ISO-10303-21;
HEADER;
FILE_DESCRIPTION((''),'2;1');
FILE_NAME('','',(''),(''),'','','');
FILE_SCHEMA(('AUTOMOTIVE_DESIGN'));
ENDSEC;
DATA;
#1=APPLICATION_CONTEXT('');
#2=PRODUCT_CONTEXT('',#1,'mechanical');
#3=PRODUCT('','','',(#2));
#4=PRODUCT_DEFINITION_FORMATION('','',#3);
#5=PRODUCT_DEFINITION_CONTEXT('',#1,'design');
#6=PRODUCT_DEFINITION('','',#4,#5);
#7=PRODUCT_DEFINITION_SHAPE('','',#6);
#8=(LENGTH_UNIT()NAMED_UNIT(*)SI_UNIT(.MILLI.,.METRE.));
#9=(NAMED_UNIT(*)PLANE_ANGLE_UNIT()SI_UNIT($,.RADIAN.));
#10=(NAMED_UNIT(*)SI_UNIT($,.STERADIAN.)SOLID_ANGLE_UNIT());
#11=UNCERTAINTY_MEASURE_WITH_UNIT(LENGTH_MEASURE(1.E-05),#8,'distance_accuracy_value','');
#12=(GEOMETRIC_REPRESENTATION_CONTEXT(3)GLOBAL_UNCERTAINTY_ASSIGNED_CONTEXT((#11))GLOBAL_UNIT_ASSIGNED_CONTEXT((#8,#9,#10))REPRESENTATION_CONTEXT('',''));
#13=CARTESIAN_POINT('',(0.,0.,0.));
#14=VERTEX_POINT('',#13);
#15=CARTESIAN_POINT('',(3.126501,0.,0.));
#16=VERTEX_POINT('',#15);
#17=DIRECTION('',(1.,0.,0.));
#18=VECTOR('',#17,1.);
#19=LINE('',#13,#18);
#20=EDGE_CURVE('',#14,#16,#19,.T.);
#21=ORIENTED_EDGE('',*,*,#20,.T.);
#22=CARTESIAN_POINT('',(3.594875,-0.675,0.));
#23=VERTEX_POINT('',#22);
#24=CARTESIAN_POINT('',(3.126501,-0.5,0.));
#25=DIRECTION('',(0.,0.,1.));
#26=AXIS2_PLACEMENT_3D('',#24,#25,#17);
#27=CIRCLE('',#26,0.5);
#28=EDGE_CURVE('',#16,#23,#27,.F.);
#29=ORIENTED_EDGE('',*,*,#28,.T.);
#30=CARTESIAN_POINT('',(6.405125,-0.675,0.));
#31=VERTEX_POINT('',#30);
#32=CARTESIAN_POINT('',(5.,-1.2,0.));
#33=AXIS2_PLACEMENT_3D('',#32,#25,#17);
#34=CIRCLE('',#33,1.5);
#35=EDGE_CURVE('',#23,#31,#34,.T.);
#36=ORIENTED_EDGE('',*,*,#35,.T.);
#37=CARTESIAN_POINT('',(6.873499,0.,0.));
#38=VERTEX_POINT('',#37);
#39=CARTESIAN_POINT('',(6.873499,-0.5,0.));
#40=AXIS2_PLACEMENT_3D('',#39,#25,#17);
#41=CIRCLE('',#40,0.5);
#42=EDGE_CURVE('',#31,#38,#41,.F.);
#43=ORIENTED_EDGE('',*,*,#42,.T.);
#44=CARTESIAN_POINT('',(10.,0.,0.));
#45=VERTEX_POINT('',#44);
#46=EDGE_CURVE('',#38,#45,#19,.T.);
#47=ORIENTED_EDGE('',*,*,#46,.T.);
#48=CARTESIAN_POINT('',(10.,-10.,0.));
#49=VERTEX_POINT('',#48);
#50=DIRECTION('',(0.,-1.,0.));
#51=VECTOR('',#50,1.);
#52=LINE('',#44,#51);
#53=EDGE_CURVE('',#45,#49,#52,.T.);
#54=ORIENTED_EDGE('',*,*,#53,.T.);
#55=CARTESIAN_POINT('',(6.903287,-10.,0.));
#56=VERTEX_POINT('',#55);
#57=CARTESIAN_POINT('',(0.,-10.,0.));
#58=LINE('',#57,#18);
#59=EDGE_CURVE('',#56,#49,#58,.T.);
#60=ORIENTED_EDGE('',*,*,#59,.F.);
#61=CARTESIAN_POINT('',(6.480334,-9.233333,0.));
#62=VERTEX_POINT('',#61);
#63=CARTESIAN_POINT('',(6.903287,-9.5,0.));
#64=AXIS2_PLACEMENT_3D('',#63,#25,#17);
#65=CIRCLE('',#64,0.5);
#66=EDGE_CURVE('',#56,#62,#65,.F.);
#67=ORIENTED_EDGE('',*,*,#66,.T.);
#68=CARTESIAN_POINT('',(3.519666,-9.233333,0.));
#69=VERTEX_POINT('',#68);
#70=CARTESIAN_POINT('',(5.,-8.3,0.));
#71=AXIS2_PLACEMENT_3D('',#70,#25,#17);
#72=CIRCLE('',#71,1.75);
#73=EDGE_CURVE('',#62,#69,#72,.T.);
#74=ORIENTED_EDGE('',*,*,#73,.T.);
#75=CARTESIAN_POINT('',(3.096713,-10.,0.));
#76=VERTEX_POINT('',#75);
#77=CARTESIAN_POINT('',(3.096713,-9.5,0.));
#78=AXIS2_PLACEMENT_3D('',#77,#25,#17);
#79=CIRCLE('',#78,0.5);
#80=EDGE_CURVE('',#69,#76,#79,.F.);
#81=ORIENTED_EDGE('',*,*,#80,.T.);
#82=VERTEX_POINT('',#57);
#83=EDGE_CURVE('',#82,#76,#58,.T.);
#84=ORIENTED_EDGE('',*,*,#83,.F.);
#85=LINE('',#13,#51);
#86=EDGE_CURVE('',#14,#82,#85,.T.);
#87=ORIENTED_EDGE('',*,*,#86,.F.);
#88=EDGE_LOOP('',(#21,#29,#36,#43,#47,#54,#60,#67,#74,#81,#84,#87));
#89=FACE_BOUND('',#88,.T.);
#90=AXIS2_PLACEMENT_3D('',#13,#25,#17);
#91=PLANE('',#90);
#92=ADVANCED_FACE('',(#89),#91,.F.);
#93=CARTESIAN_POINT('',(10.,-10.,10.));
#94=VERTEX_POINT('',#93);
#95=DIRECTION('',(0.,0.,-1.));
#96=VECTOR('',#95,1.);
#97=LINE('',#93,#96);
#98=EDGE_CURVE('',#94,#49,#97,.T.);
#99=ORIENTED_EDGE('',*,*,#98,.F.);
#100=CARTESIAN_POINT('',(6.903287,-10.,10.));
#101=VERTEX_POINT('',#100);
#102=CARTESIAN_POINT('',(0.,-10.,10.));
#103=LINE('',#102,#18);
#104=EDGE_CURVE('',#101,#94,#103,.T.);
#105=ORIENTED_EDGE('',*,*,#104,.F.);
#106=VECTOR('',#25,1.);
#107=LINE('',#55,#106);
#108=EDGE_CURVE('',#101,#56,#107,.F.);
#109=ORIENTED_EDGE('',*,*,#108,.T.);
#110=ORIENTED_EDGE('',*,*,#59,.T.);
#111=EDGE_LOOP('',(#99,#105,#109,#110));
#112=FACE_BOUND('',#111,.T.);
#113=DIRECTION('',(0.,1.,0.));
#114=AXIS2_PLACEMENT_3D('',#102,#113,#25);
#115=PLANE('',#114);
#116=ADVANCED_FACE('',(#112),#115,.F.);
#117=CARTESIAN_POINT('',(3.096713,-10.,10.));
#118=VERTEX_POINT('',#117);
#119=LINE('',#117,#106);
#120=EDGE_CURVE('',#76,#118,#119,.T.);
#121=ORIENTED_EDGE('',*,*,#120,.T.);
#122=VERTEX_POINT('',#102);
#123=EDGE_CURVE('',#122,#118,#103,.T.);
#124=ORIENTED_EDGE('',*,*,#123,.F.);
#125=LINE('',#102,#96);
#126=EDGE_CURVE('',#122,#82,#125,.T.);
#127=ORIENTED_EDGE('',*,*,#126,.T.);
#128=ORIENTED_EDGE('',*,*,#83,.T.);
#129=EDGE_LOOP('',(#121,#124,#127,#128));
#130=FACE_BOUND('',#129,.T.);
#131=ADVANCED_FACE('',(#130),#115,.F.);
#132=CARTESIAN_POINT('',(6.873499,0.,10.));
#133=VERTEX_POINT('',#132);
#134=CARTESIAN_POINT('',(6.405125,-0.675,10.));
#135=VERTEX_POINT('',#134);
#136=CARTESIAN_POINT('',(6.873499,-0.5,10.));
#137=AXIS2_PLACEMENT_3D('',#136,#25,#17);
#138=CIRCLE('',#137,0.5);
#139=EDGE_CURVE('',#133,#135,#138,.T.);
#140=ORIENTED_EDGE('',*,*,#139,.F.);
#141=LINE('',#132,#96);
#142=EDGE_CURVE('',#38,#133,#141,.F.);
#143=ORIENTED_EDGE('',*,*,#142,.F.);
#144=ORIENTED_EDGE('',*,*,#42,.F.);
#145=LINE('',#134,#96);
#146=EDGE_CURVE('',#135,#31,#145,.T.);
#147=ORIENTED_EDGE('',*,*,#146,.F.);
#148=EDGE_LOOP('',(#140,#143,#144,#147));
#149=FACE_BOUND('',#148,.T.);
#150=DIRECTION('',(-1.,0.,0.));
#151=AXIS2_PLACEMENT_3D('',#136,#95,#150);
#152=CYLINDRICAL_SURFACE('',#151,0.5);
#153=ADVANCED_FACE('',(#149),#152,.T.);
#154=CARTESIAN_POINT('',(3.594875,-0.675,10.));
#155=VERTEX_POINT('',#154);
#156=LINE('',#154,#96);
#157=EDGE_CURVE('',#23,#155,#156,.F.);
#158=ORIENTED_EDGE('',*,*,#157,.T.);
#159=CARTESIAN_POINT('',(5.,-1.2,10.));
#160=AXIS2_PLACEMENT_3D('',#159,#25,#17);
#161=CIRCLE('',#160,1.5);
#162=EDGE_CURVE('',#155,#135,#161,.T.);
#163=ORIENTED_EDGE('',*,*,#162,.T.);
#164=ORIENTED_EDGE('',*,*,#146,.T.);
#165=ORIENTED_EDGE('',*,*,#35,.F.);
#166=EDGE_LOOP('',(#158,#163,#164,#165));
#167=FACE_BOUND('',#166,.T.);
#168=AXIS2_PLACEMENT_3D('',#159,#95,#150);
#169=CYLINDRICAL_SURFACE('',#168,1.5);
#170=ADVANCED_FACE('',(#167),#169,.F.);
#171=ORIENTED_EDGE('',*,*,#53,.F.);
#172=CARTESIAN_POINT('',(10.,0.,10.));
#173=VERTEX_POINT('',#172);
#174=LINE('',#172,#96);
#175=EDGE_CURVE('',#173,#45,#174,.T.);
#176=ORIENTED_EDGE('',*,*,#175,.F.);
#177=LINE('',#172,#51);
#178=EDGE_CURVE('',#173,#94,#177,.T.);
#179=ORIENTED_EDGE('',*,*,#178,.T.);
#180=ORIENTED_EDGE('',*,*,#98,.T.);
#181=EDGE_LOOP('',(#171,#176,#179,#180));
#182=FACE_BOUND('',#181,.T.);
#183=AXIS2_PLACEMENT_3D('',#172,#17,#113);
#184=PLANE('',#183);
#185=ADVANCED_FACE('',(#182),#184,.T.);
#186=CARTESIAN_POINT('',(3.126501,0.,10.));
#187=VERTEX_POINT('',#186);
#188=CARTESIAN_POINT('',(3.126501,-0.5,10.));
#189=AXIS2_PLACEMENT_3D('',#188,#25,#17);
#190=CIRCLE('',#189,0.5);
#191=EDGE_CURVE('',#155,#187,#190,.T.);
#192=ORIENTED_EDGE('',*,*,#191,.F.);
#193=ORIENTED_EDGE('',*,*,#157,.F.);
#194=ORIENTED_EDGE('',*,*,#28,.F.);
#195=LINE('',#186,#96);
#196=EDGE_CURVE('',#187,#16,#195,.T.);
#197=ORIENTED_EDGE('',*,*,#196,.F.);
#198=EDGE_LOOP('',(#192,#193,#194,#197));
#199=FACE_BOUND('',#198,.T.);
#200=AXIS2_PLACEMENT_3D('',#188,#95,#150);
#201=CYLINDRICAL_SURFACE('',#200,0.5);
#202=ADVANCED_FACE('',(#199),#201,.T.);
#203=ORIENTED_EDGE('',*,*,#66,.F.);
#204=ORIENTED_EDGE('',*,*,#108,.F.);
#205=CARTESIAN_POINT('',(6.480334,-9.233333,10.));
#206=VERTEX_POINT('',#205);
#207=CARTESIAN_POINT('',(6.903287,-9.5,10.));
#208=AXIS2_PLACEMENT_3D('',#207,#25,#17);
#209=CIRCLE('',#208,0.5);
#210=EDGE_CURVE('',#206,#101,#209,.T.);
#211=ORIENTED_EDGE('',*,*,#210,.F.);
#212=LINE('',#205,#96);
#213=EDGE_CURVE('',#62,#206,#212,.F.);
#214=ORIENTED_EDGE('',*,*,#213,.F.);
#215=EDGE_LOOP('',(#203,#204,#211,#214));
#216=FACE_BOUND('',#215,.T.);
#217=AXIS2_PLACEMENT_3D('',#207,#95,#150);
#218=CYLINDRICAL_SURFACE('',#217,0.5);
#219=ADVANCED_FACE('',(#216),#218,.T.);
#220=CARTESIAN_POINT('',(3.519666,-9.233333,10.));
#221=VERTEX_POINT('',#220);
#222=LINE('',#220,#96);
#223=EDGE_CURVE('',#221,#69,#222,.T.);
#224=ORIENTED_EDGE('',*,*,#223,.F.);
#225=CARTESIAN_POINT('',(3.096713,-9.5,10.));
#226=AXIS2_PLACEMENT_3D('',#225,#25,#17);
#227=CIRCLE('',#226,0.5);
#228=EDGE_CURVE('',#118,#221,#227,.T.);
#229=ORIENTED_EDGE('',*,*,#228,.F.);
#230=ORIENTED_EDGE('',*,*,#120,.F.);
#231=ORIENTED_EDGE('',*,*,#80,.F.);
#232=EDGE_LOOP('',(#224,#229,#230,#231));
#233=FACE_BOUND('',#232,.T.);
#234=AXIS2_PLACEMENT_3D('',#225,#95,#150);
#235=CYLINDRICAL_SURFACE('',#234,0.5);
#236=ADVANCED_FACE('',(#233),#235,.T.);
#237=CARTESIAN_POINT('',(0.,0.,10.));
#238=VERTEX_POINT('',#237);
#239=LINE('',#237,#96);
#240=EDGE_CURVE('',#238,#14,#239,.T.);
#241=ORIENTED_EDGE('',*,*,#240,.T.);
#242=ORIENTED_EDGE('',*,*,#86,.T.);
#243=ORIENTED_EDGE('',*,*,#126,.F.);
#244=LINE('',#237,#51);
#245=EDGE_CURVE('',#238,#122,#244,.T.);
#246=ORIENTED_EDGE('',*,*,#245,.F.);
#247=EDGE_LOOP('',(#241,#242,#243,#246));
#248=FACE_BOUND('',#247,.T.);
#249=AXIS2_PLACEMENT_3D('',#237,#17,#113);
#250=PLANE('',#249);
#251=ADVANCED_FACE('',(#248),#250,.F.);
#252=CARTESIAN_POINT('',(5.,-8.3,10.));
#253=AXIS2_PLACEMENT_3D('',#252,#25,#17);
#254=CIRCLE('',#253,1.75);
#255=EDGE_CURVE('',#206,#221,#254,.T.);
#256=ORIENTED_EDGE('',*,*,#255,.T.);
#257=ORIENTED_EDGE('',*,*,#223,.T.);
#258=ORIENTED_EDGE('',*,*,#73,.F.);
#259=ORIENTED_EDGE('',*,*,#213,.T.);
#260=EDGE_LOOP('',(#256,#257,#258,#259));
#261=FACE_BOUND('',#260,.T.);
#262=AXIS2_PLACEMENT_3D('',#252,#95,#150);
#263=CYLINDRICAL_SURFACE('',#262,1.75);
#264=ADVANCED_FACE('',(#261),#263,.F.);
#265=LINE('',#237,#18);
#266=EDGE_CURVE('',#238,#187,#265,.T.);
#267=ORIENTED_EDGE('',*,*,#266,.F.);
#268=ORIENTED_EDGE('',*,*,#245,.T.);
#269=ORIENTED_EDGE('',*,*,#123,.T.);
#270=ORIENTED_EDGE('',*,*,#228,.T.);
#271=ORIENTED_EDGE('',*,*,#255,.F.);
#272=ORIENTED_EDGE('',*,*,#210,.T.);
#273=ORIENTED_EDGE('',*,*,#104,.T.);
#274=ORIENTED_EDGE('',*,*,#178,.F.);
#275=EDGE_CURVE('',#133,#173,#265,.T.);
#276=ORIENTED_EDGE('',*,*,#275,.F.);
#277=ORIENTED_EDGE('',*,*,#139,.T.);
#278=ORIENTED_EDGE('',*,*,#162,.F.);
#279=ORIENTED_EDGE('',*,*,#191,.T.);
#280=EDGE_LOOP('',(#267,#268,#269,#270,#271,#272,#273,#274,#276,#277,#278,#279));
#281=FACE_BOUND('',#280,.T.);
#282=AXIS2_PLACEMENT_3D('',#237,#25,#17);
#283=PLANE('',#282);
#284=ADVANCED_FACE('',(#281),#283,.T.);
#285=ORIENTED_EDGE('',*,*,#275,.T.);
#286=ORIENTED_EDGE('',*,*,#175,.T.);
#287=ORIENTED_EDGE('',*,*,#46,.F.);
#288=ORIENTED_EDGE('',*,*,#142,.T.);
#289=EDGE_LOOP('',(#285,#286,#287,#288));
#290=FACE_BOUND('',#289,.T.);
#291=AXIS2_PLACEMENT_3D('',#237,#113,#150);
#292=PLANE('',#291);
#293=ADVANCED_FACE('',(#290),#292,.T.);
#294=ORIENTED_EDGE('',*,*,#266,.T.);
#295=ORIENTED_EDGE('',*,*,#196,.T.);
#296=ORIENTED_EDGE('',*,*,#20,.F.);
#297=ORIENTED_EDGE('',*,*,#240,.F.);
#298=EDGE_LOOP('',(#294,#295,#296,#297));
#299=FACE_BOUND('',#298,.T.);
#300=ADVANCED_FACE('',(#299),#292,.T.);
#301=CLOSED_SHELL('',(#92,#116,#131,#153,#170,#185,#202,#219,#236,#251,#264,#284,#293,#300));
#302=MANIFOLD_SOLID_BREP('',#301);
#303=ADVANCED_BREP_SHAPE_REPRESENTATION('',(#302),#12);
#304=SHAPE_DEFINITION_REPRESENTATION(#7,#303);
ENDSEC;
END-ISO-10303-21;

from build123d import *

# Parameters (mm, degrees)
EXTRUDE_1_DEPTH = 10
FILLET_1_R      = 0.5


with BuildPart() as part:
    # 草图1 → 凸台-拉伸1 (new body)
    with BuildSketch(Plane.XY):
        with BuildLine():
            Line((4.1, 0), (0, 0))
            Line((0, 0), (0, -10))
            Line((0, -10), (4.584668807, -10))
            ThreePointArc((4.584668807, -10), (3.919335757, -6.923531768), (6.75, -8.3))
            ThreePointArc((6.75, -8.3), (6.376468232, -9.380664243), (5.415331193, -10))
            Line((5.415331193, -10), (10, -10))
            Line((10, -10), (10, 0))
            Line((10, 0), (5.9, 0))
            ThreePointArc((5.9, 0), (6.341640786, -0.529179607), (6.5, -1.2))
            ThreePointArc((6.5, -1.2), (4.329179607, -2.541640786), (4.1, 0))
        make_face()
    extrude(amount=EXTRUDE_1_DEPTH)

    # 圆角1
    fillet_1_edges = [part.edges().sort_by_distance(p)[0] for p in [
        (4.584668807, -10, 5),
        (4.1, 0, 5),
        (5.9, 0, 5),
        (5.415331193, -10, 5),
    ]]
    fillet(fillet_1_edges, radius=FILLET_1_R)


solid = part.part
